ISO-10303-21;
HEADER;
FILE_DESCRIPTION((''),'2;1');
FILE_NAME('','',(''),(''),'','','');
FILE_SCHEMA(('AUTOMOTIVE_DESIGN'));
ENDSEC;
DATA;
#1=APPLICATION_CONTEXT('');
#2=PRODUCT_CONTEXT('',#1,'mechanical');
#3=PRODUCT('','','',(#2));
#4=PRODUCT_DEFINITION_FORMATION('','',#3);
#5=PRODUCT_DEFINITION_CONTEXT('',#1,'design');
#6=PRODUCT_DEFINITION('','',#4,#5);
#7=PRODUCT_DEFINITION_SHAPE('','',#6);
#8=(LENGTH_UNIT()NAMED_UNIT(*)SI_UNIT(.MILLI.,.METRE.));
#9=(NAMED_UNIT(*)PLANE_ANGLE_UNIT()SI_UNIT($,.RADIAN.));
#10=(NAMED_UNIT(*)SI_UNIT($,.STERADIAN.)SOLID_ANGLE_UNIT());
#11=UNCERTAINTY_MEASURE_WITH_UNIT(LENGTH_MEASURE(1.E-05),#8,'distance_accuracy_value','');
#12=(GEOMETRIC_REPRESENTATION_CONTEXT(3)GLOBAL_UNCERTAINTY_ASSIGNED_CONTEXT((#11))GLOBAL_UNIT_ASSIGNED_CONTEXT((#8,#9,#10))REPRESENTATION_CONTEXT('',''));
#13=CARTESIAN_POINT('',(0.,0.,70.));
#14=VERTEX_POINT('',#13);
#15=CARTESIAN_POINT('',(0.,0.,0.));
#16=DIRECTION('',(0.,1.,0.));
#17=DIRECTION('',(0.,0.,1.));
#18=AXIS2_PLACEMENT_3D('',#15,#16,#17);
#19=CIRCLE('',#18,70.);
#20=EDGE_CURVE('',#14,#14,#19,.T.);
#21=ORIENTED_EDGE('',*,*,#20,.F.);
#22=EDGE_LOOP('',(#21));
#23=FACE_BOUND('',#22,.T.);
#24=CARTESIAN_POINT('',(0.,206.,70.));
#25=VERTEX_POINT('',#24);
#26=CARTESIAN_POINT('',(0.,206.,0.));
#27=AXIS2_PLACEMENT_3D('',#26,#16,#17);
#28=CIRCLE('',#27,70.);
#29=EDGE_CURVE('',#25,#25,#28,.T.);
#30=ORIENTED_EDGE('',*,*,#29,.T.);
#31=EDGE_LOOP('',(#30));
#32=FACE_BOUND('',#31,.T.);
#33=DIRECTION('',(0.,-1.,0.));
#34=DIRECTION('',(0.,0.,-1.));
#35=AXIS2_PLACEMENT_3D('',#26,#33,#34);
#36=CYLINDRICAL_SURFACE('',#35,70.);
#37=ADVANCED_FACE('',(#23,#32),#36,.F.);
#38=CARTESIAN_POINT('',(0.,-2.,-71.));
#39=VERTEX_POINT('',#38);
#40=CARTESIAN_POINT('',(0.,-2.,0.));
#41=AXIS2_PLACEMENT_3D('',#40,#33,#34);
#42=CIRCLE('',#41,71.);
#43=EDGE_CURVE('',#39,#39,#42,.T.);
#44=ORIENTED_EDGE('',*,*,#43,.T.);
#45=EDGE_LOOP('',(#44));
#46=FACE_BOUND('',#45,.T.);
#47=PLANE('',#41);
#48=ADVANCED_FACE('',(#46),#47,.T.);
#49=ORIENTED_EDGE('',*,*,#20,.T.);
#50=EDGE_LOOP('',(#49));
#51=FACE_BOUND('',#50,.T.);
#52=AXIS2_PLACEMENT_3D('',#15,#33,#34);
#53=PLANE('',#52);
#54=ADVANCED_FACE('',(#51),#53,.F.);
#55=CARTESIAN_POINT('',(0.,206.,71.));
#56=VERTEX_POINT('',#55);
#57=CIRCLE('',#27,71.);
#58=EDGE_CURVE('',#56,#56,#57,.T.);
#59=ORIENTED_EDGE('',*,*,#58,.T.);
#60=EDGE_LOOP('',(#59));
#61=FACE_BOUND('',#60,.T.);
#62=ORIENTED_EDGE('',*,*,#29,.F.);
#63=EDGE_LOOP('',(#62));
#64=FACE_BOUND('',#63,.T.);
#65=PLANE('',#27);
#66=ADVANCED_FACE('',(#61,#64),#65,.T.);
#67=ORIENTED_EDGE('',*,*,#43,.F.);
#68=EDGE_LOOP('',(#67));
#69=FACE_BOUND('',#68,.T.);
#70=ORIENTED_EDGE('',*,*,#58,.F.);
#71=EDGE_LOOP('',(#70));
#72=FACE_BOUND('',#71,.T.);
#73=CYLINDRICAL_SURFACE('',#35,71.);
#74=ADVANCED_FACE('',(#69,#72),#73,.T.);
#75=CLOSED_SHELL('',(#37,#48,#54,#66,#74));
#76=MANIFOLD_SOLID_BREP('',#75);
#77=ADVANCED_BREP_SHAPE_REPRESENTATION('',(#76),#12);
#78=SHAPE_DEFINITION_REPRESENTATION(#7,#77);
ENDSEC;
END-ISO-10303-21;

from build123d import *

# Parameters (mm, degrees)
SKETCH1_R           = 71
SKETCH1_R_2         = 70
BOSS_EXTRUDE1_DEPTH = 206
BOSS_EXTRUDE2_START = 2
SKETCH2_R           = 71
BOSS_EXTRUDE2_DEPTH = 2


with BuildPart() as part:
    # Sketch1 → Boss-Extrude1 (new body)
    with BuildSketch(Plane(origin=(0, 0, 0), x_dir=(1, 0, 0), z_dir=(0, 1, 0))):
        with Locations(Location((0, 0, 0), (0, 0, 270))):
            Circle(SKETCH1_R)
        with Locations(Location((0, 0, 0), (0, 0, 270))):
            Circle(SKETCH1_R_2, mode=Mode.SUBTRACT)
    extrude(amount=BOSS_EXTRUDE1_DEPTH)

    # Sketch2 → Boss-Extrude2 (add)
    with BuildSketch(Plane.XZ.offset(BOSS_EXTRUDE2_START)):
        with Locations(Location((0, 0, 0), (0, 0, 270))):
            Circle(SKETCH2_R)
    extrude(amount=-BOSS_EXTRUDE2_DEPTH)


solid = part.part
